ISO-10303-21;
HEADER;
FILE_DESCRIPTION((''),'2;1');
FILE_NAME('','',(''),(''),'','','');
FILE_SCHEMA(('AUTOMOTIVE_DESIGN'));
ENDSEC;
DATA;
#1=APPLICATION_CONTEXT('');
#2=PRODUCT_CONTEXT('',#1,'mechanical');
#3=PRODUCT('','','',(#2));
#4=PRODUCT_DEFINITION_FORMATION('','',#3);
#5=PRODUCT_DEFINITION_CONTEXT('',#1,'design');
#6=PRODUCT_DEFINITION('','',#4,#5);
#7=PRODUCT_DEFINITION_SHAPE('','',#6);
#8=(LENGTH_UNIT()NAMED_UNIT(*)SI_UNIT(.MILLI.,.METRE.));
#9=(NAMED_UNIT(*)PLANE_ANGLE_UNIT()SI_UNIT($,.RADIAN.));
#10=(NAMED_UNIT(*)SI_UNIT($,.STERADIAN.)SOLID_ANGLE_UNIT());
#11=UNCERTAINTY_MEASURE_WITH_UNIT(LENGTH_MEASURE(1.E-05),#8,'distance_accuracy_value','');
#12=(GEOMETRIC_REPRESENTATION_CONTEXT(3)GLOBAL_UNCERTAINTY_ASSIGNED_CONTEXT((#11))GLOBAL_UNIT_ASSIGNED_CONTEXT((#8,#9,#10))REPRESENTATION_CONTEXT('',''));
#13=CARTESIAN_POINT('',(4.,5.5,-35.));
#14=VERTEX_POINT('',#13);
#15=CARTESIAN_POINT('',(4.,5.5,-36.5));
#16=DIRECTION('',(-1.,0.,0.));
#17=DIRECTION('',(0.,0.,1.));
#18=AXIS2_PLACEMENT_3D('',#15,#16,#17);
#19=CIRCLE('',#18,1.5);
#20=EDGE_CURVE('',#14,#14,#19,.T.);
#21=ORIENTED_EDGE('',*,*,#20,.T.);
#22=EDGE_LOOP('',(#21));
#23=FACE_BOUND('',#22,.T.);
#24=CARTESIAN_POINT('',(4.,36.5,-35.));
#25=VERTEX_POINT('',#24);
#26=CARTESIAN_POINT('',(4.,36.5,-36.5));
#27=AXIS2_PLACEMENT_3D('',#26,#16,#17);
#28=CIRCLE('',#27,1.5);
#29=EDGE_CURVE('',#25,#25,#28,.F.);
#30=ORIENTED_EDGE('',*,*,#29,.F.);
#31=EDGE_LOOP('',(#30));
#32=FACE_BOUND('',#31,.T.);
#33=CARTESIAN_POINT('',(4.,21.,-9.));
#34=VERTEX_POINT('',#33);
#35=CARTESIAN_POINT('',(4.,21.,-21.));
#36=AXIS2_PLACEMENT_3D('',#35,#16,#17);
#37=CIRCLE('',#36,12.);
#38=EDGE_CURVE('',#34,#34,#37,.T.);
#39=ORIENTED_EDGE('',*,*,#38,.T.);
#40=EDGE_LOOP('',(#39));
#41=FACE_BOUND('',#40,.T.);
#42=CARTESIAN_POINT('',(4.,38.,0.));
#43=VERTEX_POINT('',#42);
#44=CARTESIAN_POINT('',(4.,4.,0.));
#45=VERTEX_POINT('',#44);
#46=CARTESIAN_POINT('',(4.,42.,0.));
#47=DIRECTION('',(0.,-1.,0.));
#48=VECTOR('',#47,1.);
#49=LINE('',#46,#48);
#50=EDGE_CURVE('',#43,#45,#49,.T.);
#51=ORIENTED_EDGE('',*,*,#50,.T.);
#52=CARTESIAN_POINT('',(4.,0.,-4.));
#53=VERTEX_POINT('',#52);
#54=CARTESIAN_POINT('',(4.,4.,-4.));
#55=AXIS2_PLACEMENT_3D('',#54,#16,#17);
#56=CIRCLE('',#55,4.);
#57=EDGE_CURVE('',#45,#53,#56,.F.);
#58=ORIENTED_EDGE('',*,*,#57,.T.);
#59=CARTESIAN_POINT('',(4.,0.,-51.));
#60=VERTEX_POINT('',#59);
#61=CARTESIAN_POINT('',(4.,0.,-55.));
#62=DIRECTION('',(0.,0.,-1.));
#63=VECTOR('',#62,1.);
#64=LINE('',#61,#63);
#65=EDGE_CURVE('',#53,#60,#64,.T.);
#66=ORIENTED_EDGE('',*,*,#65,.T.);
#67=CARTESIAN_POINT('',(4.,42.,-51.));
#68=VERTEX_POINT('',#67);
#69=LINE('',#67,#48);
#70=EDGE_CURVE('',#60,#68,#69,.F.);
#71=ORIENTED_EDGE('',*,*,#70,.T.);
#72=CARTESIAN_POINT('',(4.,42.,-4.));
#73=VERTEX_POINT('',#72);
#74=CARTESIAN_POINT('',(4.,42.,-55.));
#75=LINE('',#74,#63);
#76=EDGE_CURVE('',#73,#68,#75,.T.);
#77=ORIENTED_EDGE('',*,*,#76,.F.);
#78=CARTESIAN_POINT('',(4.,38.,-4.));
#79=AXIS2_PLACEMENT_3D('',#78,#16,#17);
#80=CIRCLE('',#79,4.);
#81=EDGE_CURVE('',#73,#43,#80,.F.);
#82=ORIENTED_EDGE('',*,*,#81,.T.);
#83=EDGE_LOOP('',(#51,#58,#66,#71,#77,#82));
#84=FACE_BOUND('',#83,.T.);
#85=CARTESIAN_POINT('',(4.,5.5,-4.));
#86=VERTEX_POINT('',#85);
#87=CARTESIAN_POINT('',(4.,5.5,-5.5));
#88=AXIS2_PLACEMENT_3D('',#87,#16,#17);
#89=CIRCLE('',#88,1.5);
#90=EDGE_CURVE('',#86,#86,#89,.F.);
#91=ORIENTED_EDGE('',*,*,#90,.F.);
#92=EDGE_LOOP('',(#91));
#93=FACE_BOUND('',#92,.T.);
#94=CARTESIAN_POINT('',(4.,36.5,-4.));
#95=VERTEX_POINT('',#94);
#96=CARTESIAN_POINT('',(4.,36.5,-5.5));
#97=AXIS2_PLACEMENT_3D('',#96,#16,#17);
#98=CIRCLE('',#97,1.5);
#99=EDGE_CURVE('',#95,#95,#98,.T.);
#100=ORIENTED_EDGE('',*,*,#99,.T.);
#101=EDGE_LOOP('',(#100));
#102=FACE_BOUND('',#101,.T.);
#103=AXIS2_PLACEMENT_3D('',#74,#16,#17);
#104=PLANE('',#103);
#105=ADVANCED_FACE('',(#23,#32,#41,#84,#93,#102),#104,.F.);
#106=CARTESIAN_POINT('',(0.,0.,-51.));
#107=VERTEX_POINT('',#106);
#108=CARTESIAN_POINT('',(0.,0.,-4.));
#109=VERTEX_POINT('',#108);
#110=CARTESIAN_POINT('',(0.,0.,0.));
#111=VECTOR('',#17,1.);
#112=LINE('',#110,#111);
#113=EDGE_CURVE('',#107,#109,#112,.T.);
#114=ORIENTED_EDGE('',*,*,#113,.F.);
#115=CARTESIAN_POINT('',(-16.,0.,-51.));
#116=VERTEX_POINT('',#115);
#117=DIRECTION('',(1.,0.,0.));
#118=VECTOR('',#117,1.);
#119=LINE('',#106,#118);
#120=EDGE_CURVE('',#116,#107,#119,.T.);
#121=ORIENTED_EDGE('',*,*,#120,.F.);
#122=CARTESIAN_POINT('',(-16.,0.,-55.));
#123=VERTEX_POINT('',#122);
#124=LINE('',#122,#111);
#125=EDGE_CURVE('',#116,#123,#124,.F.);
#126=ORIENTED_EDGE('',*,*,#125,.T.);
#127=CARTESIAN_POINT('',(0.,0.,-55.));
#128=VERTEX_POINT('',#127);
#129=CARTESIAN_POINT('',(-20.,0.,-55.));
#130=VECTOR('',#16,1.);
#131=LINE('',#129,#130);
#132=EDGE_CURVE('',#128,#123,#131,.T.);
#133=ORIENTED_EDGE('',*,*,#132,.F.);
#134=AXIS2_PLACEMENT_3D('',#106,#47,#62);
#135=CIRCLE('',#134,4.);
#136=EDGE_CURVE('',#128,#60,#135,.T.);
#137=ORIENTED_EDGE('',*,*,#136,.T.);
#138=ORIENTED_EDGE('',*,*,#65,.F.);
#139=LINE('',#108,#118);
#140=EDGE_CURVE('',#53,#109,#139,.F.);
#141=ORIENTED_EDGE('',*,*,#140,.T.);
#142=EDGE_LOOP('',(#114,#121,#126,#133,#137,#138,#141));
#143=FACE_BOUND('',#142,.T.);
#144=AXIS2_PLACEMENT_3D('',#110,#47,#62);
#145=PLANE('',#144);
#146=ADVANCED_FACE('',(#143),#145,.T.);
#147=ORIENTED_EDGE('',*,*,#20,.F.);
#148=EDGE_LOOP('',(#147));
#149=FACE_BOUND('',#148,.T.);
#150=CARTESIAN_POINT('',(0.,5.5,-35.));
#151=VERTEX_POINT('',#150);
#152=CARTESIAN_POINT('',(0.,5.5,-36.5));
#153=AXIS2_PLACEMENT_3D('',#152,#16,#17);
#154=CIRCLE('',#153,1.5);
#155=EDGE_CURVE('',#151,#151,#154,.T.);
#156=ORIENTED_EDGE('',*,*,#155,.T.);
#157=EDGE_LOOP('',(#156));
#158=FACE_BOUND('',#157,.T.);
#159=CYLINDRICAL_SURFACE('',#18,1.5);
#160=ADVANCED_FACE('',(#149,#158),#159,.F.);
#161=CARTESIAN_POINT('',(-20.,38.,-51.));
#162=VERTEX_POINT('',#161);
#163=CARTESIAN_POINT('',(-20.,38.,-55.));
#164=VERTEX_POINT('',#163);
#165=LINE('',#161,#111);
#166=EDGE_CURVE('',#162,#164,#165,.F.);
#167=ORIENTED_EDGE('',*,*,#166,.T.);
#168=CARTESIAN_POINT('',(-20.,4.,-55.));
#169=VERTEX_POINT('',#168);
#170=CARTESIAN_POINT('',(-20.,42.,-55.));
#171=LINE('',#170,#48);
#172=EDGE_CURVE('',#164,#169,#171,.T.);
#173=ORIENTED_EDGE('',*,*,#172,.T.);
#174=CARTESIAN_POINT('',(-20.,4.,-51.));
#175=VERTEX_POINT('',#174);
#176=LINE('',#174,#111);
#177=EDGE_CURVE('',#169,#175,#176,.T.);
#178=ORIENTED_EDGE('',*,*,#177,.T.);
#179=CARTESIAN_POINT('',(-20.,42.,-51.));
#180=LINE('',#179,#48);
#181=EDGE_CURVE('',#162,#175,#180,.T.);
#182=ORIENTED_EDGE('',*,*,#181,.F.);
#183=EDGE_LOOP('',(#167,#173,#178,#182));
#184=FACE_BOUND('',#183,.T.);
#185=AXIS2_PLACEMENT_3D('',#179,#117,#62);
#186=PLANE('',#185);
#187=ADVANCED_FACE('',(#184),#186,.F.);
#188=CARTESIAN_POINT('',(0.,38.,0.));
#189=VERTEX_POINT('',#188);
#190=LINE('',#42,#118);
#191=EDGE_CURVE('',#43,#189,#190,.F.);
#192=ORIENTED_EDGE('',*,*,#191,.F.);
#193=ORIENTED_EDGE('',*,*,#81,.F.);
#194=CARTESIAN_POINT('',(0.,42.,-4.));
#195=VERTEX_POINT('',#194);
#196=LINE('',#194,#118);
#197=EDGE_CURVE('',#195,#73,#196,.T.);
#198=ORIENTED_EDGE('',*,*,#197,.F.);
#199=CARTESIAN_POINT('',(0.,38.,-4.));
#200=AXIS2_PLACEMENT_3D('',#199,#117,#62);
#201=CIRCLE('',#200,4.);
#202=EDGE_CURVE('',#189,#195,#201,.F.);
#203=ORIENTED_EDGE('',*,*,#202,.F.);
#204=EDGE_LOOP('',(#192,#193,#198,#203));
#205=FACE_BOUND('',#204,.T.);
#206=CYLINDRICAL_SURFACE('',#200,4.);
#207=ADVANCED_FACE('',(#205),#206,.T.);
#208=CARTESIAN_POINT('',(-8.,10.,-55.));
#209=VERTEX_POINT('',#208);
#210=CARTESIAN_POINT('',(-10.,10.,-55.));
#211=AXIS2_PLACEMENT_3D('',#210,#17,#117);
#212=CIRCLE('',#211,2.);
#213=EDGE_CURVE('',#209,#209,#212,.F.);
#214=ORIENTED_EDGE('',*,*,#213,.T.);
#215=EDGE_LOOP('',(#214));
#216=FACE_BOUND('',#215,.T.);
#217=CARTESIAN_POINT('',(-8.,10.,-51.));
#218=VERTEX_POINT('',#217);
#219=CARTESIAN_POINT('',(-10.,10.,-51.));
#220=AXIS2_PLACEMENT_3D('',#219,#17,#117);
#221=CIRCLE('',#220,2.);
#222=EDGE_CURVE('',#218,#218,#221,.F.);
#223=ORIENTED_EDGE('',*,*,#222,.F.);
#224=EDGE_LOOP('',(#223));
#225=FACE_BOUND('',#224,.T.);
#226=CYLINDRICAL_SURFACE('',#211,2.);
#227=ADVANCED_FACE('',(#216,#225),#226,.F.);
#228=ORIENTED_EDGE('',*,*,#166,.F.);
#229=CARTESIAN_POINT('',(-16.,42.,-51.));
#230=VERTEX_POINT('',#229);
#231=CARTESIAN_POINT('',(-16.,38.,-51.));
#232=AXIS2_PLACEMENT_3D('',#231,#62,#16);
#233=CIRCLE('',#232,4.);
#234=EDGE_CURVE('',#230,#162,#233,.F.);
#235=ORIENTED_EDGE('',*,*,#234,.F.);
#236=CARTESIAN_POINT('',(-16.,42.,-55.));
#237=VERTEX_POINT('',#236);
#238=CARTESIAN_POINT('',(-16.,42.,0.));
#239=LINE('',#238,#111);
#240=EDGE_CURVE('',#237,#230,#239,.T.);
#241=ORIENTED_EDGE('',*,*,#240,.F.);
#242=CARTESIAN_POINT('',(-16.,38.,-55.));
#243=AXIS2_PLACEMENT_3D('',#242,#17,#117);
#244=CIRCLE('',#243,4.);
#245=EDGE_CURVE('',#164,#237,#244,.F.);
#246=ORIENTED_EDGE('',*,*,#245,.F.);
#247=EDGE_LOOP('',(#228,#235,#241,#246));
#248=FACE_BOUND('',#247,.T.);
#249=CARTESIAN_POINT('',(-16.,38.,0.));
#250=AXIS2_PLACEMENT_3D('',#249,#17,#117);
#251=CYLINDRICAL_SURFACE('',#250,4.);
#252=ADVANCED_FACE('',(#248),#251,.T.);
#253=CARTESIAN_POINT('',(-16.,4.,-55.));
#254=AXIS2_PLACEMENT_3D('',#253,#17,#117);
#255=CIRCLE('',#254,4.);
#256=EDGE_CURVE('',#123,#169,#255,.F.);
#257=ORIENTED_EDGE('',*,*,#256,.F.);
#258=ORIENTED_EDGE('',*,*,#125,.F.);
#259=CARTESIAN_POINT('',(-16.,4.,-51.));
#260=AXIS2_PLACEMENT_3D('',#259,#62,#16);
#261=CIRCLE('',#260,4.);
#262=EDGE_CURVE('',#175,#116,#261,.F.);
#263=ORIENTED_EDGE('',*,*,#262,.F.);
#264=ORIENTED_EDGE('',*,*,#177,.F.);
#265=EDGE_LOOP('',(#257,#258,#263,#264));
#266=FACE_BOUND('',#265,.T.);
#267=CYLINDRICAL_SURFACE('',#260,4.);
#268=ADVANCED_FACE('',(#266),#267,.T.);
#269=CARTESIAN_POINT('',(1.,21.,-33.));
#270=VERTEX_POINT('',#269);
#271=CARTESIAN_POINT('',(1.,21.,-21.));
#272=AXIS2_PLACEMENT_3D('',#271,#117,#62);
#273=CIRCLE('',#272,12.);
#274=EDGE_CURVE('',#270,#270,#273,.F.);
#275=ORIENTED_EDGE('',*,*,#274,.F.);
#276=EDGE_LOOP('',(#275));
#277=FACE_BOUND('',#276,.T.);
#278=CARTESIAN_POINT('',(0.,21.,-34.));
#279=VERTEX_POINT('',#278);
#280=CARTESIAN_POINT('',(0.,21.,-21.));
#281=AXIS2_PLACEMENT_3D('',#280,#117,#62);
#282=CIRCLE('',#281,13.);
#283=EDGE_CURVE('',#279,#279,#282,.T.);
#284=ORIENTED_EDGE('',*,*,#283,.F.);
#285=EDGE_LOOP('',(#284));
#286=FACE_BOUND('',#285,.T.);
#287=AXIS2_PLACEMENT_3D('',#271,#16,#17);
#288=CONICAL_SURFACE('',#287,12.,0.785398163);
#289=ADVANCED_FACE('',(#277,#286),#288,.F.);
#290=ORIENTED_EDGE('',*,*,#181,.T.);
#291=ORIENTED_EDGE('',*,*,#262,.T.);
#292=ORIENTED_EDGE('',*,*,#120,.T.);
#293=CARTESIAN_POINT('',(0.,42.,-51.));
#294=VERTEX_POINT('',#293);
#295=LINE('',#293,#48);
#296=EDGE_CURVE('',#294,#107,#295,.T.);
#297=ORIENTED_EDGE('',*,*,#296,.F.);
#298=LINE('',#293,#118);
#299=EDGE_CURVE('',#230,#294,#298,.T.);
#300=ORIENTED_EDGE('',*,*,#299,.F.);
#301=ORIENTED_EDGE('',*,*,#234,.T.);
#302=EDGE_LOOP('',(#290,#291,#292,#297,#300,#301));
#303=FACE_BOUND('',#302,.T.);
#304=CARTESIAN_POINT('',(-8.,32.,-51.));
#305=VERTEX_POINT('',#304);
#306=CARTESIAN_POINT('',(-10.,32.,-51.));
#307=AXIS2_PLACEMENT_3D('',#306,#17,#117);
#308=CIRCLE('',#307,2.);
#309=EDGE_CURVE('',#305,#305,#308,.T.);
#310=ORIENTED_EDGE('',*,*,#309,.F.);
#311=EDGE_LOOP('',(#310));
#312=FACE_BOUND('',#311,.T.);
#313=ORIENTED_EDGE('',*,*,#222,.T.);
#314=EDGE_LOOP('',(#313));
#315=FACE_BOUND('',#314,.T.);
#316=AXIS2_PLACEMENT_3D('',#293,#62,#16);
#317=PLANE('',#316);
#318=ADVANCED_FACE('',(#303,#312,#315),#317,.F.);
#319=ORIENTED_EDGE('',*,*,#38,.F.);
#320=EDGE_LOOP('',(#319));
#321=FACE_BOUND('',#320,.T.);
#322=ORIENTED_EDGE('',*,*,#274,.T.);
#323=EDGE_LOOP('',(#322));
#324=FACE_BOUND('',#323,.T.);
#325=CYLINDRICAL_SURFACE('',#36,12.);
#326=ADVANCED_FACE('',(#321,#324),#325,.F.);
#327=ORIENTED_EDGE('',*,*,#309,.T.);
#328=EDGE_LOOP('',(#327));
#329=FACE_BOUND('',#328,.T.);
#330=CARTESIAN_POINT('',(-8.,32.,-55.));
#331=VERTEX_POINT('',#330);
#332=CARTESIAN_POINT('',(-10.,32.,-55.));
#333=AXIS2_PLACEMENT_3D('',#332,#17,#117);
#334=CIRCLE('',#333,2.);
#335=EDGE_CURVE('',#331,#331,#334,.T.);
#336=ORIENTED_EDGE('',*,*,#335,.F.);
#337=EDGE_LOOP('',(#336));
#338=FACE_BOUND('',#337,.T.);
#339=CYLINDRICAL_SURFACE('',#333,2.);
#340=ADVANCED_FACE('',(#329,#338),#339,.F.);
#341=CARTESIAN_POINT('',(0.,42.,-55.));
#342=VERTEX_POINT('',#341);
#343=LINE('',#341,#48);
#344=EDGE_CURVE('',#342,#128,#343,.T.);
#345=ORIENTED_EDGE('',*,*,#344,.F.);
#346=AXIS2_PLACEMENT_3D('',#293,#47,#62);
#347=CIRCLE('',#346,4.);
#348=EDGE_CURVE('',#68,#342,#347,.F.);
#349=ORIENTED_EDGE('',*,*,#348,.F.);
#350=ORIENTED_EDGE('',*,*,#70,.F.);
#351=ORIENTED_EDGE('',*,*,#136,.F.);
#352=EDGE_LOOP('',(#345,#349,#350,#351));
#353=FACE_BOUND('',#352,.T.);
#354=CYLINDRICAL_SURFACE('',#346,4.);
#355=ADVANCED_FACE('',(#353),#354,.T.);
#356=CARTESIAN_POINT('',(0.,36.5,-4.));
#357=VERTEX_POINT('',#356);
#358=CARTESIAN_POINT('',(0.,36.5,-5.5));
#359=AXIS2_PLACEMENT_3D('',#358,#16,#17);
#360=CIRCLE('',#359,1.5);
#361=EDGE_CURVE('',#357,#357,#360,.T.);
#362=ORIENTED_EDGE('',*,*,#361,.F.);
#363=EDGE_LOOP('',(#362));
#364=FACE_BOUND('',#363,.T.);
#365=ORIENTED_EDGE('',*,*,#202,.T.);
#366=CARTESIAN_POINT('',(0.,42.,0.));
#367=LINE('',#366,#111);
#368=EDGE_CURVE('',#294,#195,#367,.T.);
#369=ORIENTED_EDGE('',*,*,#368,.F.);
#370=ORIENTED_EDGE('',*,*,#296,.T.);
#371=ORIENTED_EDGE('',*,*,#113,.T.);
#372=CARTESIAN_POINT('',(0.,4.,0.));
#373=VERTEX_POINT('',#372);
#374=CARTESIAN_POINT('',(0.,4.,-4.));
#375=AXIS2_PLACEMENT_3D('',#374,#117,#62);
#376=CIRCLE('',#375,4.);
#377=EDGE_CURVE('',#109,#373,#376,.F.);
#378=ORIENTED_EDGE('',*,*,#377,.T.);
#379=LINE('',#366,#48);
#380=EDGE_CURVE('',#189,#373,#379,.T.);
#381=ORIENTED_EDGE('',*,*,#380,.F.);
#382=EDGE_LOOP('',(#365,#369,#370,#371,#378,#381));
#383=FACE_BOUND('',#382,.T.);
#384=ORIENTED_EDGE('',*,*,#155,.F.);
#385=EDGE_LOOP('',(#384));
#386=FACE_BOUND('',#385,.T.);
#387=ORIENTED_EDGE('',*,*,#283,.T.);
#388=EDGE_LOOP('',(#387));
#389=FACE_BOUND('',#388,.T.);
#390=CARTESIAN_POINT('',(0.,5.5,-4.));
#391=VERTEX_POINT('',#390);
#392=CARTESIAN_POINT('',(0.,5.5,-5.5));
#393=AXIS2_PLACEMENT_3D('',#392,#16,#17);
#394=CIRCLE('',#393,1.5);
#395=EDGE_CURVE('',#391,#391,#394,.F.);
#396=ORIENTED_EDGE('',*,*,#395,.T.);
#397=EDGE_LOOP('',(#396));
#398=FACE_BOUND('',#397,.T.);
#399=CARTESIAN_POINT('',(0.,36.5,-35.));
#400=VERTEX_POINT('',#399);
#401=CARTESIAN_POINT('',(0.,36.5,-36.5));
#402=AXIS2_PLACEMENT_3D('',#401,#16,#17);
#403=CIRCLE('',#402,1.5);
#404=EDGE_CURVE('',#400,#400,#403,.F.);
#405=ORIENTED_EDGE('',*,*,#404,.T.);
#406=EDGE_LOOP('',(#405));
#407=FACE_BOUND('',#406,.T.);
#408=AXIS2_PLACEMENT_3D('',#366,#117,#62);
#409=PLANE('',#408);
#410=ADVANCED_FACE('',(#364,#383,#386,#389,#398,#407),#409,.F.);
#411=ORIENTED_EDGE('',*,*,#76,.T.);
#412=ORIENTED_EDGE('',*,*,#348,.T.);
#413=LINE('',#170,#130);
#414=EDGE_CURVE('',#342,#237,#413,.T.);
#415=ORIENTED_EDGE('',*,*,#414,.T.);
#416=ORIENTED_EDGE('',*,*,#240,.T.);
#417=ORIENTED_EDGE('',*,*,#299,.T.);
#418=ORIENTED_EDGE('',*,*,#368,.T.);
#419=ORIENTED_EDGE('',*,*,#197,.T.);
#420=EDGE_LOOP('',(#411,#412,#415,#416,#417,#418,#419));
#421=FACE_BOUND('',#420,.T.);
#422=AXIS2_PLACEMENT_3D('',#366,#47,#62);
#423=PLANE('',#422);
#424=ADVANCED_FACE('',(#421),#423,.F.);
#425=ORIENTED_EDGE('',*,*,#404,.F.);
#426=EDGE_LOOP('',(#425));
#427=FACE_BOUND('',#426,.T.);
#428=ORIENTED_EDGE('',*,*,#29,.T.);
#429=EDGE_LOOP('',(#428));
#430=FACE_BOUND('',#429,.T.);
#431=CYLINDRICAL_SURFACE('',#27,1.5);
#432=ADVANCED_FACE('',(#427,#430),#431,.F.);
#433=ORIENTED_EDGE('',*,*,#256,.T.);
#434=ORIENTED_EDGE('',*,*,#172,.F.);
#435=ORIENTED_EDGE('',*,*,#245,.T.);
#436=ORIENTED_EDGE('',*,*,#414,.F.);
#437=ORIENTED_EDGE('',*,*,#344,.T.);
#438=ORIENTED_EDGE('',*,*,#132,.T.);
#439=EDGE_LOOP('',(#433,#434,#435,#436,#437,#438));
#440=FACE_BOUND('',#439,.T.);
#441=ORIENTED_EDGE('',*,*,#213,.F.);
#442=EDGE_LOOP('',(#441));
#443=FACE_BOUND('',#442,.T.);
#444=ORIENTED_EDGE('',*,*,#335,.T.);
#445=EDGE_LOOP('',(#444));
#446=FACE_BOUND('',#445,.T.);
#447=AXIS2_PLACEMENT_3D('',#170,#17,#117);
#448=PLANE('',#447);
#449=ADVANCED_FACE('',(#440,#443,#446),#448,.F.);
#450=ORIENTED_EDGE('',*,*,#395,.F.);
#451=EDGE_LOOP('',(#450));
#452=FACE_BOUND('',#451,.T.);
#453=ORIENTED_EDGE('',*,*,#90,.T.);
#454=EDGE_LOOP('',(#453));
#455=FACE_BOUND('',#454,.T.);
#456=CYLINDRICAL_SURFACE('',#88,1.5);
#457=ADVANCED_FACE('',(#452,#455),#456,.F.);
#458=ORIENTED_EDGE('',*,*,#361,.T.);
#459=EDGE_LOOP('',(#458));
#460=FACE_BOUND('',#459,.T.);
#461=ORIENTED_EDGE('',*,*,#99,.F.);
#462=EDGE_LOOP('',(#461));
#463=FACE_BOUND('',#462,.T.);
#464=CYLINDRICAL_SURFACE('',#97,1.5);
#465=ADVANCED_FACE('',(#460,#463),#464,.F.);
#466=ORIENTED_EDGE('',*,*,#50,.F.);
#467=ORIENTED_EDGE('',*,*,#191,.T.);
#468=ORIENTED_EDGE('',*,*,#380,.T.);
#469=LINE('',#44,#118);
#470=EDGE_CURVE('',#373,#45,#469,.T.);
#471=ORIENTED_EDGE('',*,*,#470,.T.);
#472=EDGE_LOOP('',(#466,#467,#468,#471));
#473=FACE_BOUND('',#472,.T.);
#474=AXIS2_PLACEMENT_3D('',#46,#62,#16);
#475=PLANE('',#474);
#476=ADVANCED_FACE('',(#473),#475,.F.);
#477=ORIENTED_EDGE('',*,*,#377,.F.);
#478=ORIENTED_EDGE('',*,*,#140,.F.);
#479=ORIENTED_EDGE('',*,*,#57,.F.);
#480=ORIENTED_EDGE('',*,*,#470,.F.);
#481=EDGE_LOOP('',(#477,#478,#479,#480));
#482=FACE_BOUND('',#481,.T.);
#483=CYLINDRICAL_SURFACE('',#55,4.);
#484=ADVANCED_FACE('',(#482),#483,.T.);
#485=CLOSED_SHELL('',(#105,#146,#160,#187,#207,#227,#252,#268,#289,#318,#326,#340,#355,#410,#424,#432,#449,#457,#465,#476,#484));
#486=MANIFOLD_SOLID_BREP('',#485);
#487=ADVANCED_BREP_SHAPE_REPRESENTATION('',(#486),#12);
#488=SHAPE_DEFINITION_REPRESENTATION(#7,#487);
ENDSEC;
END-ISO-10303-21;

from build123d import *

# Parameters (mm, degrees)
BOSS_EXTRUDE1_DEPTH = 42
SKETCH2_R           = 12
SKETCH2_R_2         = 1.5
CUT_EXTRUDE1_DEPTH  = 5
SKETCH3_R           = 2
CUT_EXTRUDE2_DEPTH  = 5
CHAMFER2_SIZE       = 1
FILLET1_R           = 4


with BuildPart() as part:
    # Sketch1 → Boss-Extrude1 (new body)
    with BuildSketch(Plane(origin=(0, 0, 0), x_dir=(1, 0, 0), z_dir=(0, 1, 0))):
        Polygon((0, 0), (0, 51), (-20, 51), (-20, 55), (4, 55), (4, 0), align=None)
    extrude(amount=BOSS_EXTRUDE1_DEPTH)

    # Sketch2 → Cut-Extrude1 (cut, through all)
    with BuildSketch(Plane.ZY):
        with Locations((-21, 21)):
            Circle(SKETCH2_R)
        with Locations((-36.5, 36.5)):
            Circle(SKETCH2_R_2)
        with Locations((-5.5, 36.5)):
            Circle(SKETCH2_R_2)
        with Locations((-5.5, 5.5)):
            Circle(SKETCH2_R_2)
        with Locations((-36.5, 5.5)):
            Circle(SKETCH2_R_2)
    extrude(amount=-CUT_EXTRUDE1_DEPTH, mode=Mode.SUBTRACT)

    # Sketch3 → Cut-Extrude2 (cut, through all)
    with BuildSketch(Plane.XY.offset(-51)):
        with Locations((-10, 32)):
            Circle(SKETCH3_R)
        with Locations((-10, 10)):
            Circle(SKETCH3_R)
    extrude(amount=-CUT_EXTRUDE2_DEPTH, mode=Mode.SUBTRACT)

    # Chamfer2
    chamfer2_edges = [part.edges().sort_by_distance(p)[0] for p in [
        (0, 21, -33),
    ]]
    chamfer(chamfer2_edges, length=CHAMFER2_SIZE)

    # Fillet1
    fillet1_edges = [part.edges().sort_by_distance(p)[0] for p in [
        (4, 21, -55),
        (-20, 42, -53),
        (2, 42, 0),
        (-20, 0, -53),
        (2, 0, 0),
    ]]
    fillet(fillet1_edges, radius=FILLET1_R)


solid = part.part
